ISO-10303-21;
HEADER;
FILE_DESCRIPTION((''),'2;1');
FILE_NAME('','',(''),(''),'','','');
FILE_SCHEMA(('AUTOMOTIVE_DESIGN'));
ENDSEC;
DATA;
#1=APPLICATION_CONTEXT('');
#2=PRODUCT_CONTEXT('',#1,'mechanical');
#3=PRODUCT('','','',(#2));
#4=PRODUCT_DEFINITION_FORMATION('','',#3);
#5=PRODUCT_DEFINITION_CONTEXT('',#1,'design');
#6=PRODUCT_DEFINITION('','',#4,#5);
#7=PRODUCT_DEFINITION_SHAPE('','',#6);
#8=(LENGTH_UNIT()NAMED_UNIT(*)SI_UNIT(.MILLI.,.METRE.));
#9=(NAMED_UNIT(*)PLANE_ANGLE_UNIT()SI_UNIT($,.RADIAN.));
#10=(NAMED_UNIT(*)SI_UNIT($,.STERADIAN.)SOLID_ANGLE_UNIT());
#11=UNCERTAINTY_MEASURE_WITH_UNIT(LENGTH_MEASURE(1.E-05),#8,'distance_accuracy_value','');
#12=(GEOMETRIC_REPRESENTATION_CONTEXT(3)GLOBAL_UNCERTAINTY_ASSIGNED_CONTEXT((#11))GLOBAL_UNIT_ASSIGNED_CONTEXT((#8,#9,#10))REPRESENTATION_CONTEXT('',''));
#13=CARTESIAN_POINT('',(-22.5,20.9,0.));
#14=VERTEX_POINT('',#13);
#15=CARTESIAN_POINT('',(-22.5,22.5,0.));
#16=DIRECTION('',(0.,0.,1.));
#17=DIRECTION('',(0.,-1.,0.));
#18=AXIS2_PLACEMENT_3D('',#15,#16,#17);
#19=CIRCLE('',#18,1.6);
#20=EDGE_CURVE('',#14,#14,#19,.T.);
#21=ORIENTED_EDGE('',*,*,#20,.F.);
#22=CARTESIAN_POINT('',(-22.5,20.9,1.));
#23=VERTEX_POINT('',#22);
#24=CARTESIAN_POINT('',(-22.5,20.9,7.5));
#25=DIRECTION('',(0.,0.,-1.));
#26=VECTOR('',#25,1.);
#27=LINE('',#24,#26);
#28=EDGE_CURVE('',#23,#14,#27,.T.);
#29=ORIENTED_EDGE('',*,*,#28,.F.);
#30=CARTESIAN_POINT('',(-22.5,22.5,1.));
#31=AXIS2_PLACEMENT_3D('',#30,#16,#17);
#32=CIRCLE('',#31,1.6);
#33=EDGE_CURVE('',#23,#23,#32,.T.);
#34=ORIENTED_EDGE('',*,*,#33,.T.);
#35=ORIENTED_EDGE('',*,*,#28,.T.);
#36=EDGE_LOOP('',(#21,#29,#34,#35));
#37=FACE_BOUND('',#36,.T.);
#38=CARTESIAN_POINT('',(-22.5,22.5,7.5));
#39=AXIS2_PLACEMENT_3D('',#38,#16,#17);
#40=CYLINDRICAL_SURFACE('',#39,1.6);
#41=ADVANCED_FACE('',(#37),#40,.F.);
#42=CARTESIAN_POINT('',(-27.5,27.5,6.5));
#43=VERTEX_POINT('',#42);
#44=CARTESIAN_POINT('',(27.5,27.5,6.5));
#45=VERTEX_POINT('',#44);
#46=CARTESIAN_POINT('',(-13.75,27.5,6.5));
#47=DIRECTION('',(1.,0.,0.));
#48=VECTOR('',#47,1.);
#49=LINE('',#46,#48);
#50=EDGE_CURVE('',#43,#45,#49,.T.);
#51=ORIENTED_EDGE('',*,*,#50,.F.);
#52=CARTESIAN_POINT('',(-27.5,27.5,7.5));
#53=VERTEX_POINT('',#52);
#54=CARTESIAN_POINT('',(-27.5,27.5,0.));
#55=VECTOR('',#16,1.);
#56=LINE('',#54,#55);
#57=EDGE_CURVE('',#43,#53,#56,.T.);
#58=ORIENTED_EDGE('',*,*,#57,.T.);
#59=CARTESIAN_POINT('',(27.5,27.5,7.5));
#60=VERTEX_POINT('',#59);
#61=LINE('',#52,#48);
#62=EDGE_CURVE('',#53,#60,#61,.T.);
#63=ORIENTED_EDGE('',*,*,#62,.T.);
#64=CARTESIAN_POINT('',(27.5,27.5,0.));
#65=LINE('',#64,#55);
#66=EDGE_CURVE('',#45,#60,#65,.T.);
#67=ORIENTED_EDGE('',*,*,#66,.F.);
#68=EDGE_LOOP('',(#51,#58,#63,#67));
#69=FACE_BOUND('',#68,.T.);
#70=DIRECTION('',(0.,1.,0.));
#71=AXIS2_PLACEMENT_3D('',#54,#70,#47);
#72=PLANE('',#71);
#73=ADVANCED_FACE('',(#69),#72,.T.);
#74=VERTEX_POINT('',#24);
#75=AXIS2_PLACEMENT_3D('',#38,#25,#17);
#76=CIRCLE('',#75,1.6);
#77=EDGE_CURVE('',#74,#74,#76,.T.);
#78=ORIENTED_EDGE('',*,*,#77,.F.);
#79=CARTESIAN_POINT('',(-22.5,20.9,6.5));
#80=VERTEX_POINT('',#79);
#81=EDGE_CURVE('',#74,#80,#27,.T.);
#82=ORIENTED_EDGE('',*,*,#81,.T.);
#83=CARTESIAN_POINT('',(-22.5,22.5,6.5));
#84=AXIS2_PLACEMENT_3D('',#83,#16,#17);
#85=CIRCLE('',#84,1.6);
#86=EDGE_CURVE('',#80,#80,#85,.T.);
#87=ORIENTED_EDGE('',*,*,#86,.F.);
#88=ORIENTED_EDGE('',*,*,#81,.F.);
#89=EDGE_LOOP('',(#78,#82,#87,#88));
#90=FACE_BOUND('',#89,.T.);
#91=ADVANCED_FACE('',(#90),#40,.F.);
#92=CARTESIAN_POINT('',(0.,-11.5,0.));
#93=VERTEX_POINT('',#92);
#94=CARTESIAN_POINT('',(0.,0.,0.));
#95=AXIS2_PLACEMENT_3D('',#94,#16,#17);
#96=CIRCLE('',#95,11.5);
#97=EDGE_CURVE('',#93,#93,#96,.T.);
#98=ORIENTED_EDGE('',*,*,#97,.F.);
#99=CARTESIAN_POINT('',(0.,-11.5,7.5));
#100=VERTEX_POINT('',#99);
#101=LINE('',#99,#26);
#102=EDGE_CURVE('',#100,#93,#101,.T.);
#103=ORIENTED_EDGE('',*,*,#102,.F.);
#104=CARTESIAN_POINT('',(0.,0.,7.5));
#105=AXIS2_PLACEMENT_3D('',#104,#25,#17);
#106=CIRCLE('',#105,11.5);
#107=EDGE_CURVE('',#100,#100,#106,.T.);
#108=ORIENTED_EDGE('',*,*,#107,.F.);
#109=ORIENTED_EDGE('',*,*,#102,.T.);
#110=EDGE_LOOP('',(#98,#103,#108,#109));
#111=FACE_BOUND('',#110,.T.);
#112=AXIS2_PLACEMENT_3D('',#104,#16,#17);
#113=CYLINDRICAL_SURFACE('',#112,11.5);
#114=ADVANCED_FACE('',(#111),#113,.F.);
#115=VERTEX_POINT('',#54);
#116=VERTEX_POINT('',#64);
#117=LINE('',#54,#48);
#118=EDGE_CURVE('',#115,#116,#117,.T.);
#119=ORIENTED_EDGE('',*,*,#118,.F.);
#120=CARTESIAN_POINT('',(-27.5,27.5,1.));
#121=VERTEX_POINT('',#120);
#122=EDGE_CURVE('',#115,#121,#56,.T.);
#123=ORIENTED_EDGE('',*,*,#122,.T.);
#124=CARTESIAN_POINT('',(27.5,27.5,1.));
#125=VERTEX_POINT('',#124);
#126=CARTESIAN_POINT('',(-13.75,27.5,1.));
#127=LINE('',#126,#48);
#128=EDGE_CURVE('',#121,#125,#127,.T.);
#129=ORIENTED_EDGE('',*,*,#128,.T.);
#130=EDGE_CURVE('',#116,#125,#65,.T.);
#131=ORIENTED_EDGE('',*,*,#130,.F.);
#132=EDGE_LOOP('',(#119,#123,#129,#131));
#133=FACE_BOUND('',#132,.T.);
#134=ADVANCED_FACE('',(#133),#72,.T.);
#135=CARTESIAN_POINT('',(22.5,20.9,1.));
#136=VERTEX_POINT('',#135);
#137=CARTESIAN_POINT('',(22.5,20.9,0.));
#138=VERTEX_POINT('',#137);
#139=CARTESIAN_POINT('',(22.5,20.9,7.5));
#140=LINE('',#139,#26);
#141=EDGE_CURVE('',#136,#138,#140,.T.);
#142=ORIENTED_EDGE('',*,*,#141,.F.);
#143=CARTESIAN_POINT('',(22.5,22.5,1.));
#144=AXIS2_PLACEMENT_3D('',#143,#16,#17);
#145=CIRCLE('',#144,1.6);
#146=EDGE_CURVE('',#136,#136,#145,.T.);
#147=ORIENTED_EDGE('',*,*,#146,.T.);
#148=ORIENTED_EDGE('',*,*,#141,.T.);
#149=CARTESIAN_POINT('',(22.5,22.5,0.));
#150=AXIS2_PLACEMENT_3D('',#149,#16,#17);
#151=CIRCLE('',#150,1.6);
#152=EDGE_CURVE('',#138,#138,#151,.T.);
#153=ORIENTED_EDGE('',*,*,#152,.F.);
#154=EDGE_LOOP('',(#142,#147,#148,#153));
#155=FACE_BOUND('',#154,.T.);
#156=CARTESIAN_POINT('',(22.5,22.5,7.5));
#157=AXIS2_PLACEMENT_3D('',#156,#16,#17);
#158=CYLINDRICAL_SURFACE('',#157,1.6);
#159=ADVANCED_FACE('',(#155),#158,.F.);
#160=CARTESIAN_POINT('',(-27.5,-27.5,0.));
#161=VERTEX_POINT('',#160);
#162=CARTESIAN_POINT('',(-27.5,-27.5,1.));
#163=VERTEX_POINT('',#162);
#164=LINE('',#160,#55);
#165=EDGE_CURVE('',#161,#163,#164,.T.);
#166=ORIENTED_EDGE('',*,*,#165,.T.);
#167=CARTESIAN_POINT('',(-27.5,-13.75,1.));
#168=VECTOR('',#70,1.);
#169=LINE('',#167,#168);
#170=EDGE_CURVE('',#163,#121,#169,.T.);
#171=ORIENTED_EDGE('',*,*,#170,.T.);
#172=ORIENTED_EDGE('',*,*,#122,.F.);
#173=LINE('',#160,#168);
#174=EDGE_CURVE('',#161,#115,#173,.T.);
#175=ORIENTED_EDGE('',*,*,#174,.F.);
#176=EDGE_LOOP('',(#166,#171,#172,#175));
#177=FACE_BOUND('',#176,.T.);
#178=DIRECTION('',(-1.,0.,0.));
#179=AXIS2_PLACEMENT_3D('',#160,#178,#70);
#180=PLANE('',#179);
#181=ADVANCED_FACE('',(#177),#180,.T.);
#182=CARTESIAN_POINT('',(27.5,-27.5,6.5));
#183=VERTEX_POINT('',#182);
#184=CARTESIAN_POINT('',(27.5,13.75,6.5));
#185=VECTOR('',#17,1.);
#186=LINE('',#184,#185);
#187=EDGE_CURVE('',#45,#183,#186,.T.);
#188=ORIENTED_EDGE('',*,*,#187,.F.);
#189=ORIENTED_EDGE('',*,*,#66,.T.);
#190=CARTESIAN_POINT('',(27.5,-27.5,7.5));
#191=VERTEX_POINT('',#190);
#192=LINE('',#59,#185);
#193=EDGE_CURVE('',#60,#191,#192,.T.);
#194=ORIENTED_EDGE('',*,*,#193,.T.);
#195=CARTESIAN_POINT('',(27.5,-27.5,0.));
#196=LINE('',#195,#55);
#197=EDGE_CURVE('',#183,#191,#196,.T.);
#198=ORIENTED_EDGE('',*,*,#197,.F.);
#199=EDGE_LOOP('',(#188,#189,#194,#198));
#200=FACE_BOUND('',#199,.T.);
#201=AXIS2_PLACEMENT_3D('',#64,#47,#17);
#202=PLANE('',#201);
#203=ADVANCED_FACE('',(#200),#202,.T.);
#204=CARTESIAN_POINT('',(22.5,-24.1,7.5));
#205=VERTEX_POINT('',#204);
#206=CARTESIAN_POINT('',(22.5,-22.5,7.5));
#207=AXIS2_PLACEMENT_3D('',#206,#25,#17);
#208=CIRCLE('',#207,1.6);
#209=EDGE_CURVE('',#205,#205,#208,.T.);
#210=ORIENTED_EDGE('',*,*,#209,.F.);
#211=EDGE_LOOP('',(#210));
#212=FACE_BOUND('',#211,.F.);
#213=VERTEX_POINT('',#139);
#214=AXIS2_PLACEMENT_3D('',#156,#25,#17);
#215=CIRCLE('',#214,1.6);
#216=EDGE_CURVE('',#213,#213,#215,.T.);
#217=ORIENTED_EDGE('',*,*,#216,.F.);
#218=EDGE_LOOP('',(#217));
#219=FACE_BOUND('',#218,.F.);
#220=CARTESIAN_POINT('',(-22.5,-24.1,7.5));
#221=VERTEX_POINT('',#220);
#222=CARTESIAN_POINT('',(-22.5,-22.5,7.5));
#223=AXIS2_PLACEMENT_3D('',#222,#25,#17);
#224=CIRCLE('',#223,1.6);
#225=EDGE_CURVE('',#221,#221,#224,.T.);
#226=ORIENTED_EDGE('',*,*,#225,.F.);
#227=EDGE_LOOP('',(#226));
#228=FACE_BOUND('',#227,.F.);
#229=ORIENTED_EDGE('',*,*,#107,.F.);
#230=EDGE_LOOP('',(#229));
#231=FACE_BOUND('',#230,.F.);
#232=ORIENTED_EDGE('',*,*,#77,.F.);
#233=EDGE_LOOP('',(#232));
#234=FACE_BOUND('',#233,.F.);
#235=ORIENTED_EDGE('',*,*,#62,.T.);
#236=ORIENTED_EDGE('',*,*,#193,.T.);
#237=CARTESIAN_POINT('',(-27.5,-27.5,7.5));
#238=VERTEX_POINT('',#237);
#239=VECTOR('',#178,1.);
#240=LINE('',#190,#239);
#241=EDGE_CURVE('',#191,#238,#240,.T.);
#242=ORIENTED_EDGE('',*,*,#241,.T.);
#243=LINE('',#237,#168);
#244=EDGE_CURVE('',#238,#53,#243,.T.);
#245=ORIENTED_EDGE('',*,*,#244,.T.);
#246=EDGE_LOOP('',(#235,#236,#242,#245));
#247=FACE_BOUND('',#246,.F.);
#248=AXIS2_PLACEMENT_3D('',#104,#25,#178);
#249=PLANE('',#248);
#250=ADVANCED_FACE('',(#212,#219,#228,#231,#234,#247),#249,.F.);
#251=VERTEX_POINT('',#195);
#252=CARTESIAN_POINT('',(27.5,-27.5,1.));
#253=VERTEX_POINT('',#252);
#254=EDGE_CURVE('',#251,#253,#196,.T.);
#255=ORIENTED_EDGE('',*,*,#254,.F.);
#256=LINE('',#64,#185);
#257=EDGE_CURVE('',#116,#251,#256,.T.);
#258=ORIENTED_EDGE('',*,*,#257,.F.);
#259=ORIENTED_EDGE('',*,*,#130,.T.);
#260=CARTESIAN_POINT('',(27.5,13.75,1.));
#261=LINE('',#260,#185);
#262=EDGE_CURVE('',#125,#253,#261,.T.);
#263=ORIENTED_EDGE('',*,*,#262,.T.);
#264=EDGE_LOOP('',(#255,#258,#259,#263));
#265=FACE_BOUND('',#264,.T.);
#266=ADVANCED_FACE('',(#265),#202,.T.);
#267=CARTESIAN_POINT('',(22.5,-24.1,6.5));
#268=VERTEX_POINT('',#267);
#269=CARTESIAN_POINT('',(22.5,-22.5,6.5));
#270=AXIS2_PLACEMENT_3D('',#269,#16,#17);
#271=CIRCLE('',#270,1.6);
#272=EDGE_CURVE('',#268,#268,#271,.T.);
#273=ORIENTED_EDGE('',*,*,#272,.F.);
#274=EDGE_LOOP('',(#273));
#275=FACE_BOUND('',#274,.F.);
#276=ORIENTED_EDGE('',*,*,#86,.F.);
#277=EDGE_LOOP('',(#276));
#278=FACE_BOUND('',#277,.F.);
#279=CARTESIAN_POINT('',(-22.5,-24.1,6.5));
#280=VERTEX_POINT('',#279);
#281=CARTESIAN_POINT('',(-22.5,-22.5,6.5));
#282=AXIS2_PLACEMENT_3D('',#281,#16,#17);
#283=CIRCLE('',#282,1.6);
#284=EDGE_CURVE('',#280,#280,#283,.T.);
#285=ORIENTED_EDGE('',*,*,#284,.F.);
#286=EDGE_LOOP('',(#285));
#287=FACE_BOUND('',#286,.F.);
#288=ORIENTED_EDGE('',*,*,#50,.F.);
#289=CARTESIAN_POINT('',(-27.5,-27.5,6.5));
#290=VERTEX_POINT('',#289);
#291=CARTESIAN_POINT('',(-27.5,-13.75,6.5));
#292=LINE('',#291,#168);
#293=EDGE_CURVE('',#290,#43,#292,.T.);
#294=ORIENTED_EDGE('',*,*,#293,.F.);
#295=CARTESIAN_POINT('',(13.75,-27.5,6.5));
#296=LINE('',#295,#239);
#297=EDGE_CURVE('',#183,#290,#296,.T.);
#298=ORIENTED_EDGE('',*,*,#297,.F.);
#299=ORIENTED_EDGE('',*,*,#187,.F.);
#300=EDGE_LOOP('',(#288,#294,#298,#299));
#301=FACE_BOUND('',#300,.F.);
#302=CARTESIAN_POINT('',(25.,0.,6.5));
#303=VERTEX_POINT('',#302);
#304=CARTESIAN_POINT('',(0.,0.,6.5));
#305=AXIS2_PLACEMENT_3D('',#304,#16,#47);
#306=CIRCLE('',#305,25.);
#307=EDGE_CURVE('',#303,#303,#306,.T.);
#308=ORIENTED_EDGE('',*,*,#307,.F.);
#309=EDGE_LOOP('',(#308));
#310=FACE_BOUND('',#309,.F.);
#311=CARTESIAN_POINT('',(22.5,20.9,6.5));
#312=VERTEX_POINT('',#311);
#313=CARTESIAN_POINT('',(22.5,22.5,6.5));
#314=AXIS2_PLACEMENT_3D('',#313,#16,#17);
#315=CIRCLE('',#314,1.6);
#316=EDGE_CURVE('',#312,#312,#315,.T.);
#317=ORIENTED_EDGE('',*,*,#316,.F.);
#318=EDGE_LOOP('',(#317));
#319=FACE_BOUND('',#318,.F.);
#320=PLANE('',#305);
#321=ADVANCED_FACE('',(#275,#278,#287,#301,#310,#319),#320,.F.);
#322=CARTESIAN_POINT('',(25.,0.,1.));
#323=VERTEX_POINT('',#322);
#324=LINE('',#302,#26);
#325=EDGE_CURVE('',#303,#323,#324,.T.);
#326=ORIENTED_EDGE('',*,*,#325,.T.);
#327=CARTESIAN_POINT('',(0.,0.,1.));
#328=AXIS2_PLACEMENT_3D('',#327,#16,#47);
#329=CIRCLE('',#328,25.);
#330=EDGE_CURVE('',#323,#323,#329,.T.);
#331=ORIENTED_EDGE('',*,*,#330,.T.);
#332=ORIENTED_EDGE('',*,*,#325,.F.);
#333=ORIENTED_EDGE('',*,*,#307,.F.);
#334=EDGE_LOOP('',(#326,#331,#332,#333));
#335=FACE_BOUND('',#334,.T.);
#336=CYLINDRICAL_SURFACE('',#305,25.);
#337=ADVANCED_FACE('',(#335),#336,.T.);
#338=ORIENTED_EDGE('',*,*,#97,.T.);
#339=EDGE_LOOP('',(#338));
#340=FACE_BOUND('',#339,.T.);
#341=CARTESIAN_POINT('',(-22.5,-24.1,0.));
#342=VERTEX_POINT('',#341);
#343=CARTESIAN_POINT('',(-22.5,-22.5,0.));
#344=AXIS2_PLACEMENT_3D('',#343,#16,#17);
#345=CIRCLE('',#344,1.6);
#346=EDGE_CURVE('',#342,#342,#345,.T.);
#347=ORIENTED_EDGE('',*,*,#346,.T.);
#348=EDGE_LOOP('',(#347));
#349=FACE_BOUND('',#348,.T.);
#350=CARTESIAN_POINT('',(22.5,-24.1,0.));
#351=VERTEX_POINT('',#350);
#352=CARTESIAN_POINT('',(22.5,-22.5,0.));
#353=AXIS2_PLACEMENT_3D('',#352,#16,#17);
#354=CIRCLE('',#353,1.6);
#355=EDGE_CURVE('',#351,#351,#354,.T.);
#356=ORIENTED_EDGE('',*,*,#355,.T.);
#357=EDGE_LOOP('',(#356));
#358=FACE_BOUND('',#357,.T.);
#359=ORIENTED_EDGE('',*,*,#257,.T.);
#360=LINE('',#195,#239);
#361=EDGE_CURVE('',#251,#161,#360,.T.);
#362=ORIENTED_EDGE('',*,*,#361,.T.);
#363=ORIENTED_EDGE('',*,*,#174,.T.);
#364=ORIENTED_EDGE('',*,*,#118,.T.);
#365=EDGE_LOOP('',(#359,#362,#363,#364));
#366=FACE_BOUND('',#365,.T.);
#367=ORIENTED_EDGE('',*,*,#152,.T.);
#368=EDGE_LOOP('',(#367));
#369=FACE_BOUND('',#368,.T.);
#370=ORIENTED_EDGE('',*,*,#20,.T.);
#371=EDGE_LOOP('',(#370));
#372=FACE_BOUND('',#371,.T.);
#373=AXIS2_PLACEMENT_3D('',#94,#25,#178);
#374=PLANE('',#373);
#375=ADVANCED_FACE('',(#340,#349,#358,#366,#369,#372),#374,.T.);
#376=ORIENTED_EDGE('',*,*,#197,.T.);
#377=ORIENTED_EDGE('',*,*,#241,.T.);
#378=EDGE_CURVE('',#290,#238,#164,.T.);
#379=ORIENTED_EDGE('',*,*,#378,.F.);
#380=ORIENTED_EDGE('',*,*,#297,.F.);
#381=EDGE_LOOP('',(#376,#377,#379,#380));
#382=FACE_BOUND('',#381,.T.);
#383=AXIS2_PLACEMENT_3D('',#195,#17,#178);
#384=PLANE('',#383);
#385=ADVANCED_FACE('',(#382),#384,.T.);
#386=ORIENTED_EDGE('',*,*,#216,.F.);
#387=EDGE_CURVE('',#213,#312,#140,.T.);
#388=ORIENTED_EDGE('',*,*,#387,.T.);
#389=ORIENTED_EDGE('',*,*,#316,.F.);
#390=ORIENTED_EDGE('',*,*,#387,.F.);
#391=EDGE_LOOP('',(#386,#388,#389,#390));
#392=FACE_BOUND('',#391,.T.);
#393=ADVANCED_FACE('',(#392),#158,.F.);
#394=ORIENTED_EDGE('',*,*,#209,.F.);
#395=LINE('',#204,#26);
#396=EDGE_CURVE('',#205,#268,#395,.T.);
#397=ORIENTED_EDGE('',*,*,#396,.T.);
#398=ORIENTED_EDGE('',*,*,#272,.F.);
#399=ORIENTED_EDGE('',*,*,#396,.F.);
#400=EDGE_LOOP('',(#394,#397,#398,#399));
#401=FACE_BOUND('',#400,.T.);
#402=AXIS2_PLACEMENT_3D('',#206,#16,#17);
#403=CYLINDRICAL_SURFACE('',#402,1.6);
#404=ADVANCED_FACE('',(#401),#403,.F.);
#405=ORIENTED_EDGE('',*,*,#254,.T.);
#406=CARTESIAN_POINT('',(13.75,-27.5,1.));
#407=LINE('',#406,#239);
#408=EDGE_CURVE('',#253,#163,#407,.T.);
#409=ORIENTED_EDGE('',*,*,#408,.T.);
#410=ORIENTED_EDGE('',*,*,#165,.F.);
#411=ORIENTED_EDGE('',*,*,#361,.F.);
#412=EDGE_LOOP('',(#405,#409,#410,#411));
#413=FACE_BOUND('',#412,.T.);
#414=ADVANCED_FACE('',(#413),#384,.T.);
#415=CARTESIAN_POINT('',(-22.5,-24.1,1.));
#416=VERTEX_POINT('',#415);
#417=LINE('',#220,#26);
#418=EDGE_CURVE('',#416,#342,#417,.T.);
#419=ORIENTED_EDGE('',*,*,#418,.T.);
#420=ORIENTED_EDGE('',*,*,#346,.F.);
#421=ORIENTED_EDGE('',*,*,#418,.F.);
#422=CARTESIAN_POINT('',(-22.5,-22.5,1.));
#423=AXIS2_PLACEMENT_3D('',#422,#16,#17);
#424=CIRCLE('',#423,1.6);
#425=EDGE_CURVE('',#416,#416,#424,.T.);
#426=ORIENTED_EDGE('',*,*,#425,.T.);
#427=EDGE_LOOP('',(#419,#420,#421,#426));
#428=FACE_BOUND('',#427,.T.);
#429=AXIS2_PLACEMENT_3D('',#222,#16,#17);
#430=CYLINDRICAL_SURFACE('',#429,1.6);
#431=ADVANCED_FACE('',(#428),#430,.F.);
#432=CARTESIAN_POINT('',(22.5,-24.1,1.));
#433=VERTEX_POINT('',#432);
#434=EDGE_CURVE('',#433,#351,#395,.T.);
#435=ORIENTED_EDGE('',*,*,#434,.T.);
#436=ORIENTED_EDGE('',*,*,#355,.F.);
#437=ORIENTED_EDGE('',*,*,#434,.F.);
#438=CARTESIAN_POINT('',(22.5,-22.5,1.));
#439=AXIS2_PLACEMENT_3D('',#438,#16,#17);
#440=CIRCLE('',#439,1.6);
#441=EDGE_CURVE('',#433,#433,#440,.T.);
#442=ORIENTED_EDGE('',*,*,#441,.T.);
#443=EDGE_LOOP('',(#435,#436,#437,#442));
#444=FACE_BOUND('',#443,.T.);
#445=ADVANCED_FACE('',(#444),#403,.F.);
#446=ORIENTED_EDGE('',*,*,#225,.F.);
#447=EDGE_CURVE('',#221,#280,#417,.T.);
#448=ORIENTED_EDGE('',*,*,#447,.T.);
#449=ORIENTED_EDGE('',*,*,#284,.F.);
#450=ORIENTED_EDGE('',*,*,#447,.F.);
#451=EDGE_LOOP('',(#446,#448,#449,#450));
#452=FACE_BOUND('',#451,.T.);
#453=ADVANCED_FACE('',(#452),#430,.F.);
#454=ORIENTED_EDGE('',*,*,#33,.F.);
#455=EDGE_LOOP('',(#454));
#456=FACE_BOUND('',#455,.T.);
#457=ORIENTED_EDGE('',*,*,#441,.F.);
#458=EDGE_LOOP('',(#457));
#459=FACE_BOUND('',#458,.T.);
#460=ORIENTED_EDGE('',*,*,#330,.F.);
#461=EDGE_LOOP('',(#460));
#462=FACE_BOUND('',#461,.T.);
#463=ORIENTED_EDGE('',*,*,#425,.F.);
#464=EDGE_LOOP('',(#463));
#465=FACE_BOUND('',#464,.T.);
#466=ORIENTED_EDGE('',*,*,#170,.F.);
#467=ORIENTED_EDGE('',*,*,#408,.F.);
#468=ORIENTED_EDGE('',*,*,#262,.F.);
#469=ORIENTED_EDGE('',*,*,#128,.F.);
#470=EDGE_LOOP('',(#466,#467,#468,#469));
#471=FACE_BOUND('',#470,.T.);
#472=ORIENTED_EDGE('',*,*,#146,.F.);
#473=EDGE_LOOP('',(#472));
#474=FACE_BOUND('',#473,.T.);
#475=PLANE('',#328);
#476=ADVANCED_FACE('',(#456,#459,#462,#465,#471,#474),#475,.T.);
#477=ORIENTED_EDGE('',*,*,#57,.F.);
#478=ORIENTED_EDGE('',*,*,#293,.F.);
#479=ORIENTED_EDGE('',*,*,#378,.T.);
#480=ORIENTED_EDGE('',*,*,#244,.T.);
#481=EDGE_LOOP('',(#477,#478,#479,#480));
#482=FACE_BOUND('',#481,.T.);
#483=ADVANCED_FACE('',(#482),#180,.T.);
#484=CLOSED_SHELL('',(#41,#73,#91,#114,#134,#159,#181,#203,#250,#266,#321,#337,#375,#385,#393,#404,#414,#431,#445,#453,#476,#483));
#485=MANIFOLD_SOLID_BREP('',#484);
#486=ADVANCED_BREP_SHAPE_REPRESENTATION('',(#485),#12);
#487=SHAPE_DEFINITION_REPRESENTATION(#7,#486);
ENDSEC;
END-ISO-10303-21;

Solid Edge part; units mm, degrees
sketch "Sketch1" plane through (0, 0, 0) normal (0, 0, 1) x (1, 0, 0)
  line L0 (27.5, -27.5) -> (-27.5, -27.5)
  line L1 (-27.5, -27.5) -> (-27.5, 27.5)
  line L2 (-27.5, 27.5) -> (27.5, 27.5)
  line L3 (27.5, 27.5) -> (27.5, -27.5)
  dimension "D1" = 55
  dimension "D2" = 55
extrude "Protrusion1" add sketch "Sketch1" along normal blind 7.5
sketch "Sketch2" plane through (0, 0, 6.5) normal (0, 0, 1) x (1, 0, 0)
  circle A0 centre (0, 0) radius 25
extrude "ExtrudedCutout_1" cut sketch "Sketch2" against normal blind 5.5 flip side to cut
hole "Hole_1" at (0, 0, 7.5) direction (0, 0, -1) diameter 23 end through all
hole "Hole_2" at (-22.5, 22.5, 7.5) direction (0, 0, -1) diameter 3.2 end through all
hole "Hole1" at (-22.5, -22.5, 7.5) direction (0, 0, -1) diameter 3.2 end through all
hole "Hole2" at (22.5, -22.5, 7.5) direction (0, 0, -1) diameter 3.2 end through all
hole "Hole3" at (22.5, 22.5, 7.5) direction (0, 0, -1) diameter 3.2 end through all
